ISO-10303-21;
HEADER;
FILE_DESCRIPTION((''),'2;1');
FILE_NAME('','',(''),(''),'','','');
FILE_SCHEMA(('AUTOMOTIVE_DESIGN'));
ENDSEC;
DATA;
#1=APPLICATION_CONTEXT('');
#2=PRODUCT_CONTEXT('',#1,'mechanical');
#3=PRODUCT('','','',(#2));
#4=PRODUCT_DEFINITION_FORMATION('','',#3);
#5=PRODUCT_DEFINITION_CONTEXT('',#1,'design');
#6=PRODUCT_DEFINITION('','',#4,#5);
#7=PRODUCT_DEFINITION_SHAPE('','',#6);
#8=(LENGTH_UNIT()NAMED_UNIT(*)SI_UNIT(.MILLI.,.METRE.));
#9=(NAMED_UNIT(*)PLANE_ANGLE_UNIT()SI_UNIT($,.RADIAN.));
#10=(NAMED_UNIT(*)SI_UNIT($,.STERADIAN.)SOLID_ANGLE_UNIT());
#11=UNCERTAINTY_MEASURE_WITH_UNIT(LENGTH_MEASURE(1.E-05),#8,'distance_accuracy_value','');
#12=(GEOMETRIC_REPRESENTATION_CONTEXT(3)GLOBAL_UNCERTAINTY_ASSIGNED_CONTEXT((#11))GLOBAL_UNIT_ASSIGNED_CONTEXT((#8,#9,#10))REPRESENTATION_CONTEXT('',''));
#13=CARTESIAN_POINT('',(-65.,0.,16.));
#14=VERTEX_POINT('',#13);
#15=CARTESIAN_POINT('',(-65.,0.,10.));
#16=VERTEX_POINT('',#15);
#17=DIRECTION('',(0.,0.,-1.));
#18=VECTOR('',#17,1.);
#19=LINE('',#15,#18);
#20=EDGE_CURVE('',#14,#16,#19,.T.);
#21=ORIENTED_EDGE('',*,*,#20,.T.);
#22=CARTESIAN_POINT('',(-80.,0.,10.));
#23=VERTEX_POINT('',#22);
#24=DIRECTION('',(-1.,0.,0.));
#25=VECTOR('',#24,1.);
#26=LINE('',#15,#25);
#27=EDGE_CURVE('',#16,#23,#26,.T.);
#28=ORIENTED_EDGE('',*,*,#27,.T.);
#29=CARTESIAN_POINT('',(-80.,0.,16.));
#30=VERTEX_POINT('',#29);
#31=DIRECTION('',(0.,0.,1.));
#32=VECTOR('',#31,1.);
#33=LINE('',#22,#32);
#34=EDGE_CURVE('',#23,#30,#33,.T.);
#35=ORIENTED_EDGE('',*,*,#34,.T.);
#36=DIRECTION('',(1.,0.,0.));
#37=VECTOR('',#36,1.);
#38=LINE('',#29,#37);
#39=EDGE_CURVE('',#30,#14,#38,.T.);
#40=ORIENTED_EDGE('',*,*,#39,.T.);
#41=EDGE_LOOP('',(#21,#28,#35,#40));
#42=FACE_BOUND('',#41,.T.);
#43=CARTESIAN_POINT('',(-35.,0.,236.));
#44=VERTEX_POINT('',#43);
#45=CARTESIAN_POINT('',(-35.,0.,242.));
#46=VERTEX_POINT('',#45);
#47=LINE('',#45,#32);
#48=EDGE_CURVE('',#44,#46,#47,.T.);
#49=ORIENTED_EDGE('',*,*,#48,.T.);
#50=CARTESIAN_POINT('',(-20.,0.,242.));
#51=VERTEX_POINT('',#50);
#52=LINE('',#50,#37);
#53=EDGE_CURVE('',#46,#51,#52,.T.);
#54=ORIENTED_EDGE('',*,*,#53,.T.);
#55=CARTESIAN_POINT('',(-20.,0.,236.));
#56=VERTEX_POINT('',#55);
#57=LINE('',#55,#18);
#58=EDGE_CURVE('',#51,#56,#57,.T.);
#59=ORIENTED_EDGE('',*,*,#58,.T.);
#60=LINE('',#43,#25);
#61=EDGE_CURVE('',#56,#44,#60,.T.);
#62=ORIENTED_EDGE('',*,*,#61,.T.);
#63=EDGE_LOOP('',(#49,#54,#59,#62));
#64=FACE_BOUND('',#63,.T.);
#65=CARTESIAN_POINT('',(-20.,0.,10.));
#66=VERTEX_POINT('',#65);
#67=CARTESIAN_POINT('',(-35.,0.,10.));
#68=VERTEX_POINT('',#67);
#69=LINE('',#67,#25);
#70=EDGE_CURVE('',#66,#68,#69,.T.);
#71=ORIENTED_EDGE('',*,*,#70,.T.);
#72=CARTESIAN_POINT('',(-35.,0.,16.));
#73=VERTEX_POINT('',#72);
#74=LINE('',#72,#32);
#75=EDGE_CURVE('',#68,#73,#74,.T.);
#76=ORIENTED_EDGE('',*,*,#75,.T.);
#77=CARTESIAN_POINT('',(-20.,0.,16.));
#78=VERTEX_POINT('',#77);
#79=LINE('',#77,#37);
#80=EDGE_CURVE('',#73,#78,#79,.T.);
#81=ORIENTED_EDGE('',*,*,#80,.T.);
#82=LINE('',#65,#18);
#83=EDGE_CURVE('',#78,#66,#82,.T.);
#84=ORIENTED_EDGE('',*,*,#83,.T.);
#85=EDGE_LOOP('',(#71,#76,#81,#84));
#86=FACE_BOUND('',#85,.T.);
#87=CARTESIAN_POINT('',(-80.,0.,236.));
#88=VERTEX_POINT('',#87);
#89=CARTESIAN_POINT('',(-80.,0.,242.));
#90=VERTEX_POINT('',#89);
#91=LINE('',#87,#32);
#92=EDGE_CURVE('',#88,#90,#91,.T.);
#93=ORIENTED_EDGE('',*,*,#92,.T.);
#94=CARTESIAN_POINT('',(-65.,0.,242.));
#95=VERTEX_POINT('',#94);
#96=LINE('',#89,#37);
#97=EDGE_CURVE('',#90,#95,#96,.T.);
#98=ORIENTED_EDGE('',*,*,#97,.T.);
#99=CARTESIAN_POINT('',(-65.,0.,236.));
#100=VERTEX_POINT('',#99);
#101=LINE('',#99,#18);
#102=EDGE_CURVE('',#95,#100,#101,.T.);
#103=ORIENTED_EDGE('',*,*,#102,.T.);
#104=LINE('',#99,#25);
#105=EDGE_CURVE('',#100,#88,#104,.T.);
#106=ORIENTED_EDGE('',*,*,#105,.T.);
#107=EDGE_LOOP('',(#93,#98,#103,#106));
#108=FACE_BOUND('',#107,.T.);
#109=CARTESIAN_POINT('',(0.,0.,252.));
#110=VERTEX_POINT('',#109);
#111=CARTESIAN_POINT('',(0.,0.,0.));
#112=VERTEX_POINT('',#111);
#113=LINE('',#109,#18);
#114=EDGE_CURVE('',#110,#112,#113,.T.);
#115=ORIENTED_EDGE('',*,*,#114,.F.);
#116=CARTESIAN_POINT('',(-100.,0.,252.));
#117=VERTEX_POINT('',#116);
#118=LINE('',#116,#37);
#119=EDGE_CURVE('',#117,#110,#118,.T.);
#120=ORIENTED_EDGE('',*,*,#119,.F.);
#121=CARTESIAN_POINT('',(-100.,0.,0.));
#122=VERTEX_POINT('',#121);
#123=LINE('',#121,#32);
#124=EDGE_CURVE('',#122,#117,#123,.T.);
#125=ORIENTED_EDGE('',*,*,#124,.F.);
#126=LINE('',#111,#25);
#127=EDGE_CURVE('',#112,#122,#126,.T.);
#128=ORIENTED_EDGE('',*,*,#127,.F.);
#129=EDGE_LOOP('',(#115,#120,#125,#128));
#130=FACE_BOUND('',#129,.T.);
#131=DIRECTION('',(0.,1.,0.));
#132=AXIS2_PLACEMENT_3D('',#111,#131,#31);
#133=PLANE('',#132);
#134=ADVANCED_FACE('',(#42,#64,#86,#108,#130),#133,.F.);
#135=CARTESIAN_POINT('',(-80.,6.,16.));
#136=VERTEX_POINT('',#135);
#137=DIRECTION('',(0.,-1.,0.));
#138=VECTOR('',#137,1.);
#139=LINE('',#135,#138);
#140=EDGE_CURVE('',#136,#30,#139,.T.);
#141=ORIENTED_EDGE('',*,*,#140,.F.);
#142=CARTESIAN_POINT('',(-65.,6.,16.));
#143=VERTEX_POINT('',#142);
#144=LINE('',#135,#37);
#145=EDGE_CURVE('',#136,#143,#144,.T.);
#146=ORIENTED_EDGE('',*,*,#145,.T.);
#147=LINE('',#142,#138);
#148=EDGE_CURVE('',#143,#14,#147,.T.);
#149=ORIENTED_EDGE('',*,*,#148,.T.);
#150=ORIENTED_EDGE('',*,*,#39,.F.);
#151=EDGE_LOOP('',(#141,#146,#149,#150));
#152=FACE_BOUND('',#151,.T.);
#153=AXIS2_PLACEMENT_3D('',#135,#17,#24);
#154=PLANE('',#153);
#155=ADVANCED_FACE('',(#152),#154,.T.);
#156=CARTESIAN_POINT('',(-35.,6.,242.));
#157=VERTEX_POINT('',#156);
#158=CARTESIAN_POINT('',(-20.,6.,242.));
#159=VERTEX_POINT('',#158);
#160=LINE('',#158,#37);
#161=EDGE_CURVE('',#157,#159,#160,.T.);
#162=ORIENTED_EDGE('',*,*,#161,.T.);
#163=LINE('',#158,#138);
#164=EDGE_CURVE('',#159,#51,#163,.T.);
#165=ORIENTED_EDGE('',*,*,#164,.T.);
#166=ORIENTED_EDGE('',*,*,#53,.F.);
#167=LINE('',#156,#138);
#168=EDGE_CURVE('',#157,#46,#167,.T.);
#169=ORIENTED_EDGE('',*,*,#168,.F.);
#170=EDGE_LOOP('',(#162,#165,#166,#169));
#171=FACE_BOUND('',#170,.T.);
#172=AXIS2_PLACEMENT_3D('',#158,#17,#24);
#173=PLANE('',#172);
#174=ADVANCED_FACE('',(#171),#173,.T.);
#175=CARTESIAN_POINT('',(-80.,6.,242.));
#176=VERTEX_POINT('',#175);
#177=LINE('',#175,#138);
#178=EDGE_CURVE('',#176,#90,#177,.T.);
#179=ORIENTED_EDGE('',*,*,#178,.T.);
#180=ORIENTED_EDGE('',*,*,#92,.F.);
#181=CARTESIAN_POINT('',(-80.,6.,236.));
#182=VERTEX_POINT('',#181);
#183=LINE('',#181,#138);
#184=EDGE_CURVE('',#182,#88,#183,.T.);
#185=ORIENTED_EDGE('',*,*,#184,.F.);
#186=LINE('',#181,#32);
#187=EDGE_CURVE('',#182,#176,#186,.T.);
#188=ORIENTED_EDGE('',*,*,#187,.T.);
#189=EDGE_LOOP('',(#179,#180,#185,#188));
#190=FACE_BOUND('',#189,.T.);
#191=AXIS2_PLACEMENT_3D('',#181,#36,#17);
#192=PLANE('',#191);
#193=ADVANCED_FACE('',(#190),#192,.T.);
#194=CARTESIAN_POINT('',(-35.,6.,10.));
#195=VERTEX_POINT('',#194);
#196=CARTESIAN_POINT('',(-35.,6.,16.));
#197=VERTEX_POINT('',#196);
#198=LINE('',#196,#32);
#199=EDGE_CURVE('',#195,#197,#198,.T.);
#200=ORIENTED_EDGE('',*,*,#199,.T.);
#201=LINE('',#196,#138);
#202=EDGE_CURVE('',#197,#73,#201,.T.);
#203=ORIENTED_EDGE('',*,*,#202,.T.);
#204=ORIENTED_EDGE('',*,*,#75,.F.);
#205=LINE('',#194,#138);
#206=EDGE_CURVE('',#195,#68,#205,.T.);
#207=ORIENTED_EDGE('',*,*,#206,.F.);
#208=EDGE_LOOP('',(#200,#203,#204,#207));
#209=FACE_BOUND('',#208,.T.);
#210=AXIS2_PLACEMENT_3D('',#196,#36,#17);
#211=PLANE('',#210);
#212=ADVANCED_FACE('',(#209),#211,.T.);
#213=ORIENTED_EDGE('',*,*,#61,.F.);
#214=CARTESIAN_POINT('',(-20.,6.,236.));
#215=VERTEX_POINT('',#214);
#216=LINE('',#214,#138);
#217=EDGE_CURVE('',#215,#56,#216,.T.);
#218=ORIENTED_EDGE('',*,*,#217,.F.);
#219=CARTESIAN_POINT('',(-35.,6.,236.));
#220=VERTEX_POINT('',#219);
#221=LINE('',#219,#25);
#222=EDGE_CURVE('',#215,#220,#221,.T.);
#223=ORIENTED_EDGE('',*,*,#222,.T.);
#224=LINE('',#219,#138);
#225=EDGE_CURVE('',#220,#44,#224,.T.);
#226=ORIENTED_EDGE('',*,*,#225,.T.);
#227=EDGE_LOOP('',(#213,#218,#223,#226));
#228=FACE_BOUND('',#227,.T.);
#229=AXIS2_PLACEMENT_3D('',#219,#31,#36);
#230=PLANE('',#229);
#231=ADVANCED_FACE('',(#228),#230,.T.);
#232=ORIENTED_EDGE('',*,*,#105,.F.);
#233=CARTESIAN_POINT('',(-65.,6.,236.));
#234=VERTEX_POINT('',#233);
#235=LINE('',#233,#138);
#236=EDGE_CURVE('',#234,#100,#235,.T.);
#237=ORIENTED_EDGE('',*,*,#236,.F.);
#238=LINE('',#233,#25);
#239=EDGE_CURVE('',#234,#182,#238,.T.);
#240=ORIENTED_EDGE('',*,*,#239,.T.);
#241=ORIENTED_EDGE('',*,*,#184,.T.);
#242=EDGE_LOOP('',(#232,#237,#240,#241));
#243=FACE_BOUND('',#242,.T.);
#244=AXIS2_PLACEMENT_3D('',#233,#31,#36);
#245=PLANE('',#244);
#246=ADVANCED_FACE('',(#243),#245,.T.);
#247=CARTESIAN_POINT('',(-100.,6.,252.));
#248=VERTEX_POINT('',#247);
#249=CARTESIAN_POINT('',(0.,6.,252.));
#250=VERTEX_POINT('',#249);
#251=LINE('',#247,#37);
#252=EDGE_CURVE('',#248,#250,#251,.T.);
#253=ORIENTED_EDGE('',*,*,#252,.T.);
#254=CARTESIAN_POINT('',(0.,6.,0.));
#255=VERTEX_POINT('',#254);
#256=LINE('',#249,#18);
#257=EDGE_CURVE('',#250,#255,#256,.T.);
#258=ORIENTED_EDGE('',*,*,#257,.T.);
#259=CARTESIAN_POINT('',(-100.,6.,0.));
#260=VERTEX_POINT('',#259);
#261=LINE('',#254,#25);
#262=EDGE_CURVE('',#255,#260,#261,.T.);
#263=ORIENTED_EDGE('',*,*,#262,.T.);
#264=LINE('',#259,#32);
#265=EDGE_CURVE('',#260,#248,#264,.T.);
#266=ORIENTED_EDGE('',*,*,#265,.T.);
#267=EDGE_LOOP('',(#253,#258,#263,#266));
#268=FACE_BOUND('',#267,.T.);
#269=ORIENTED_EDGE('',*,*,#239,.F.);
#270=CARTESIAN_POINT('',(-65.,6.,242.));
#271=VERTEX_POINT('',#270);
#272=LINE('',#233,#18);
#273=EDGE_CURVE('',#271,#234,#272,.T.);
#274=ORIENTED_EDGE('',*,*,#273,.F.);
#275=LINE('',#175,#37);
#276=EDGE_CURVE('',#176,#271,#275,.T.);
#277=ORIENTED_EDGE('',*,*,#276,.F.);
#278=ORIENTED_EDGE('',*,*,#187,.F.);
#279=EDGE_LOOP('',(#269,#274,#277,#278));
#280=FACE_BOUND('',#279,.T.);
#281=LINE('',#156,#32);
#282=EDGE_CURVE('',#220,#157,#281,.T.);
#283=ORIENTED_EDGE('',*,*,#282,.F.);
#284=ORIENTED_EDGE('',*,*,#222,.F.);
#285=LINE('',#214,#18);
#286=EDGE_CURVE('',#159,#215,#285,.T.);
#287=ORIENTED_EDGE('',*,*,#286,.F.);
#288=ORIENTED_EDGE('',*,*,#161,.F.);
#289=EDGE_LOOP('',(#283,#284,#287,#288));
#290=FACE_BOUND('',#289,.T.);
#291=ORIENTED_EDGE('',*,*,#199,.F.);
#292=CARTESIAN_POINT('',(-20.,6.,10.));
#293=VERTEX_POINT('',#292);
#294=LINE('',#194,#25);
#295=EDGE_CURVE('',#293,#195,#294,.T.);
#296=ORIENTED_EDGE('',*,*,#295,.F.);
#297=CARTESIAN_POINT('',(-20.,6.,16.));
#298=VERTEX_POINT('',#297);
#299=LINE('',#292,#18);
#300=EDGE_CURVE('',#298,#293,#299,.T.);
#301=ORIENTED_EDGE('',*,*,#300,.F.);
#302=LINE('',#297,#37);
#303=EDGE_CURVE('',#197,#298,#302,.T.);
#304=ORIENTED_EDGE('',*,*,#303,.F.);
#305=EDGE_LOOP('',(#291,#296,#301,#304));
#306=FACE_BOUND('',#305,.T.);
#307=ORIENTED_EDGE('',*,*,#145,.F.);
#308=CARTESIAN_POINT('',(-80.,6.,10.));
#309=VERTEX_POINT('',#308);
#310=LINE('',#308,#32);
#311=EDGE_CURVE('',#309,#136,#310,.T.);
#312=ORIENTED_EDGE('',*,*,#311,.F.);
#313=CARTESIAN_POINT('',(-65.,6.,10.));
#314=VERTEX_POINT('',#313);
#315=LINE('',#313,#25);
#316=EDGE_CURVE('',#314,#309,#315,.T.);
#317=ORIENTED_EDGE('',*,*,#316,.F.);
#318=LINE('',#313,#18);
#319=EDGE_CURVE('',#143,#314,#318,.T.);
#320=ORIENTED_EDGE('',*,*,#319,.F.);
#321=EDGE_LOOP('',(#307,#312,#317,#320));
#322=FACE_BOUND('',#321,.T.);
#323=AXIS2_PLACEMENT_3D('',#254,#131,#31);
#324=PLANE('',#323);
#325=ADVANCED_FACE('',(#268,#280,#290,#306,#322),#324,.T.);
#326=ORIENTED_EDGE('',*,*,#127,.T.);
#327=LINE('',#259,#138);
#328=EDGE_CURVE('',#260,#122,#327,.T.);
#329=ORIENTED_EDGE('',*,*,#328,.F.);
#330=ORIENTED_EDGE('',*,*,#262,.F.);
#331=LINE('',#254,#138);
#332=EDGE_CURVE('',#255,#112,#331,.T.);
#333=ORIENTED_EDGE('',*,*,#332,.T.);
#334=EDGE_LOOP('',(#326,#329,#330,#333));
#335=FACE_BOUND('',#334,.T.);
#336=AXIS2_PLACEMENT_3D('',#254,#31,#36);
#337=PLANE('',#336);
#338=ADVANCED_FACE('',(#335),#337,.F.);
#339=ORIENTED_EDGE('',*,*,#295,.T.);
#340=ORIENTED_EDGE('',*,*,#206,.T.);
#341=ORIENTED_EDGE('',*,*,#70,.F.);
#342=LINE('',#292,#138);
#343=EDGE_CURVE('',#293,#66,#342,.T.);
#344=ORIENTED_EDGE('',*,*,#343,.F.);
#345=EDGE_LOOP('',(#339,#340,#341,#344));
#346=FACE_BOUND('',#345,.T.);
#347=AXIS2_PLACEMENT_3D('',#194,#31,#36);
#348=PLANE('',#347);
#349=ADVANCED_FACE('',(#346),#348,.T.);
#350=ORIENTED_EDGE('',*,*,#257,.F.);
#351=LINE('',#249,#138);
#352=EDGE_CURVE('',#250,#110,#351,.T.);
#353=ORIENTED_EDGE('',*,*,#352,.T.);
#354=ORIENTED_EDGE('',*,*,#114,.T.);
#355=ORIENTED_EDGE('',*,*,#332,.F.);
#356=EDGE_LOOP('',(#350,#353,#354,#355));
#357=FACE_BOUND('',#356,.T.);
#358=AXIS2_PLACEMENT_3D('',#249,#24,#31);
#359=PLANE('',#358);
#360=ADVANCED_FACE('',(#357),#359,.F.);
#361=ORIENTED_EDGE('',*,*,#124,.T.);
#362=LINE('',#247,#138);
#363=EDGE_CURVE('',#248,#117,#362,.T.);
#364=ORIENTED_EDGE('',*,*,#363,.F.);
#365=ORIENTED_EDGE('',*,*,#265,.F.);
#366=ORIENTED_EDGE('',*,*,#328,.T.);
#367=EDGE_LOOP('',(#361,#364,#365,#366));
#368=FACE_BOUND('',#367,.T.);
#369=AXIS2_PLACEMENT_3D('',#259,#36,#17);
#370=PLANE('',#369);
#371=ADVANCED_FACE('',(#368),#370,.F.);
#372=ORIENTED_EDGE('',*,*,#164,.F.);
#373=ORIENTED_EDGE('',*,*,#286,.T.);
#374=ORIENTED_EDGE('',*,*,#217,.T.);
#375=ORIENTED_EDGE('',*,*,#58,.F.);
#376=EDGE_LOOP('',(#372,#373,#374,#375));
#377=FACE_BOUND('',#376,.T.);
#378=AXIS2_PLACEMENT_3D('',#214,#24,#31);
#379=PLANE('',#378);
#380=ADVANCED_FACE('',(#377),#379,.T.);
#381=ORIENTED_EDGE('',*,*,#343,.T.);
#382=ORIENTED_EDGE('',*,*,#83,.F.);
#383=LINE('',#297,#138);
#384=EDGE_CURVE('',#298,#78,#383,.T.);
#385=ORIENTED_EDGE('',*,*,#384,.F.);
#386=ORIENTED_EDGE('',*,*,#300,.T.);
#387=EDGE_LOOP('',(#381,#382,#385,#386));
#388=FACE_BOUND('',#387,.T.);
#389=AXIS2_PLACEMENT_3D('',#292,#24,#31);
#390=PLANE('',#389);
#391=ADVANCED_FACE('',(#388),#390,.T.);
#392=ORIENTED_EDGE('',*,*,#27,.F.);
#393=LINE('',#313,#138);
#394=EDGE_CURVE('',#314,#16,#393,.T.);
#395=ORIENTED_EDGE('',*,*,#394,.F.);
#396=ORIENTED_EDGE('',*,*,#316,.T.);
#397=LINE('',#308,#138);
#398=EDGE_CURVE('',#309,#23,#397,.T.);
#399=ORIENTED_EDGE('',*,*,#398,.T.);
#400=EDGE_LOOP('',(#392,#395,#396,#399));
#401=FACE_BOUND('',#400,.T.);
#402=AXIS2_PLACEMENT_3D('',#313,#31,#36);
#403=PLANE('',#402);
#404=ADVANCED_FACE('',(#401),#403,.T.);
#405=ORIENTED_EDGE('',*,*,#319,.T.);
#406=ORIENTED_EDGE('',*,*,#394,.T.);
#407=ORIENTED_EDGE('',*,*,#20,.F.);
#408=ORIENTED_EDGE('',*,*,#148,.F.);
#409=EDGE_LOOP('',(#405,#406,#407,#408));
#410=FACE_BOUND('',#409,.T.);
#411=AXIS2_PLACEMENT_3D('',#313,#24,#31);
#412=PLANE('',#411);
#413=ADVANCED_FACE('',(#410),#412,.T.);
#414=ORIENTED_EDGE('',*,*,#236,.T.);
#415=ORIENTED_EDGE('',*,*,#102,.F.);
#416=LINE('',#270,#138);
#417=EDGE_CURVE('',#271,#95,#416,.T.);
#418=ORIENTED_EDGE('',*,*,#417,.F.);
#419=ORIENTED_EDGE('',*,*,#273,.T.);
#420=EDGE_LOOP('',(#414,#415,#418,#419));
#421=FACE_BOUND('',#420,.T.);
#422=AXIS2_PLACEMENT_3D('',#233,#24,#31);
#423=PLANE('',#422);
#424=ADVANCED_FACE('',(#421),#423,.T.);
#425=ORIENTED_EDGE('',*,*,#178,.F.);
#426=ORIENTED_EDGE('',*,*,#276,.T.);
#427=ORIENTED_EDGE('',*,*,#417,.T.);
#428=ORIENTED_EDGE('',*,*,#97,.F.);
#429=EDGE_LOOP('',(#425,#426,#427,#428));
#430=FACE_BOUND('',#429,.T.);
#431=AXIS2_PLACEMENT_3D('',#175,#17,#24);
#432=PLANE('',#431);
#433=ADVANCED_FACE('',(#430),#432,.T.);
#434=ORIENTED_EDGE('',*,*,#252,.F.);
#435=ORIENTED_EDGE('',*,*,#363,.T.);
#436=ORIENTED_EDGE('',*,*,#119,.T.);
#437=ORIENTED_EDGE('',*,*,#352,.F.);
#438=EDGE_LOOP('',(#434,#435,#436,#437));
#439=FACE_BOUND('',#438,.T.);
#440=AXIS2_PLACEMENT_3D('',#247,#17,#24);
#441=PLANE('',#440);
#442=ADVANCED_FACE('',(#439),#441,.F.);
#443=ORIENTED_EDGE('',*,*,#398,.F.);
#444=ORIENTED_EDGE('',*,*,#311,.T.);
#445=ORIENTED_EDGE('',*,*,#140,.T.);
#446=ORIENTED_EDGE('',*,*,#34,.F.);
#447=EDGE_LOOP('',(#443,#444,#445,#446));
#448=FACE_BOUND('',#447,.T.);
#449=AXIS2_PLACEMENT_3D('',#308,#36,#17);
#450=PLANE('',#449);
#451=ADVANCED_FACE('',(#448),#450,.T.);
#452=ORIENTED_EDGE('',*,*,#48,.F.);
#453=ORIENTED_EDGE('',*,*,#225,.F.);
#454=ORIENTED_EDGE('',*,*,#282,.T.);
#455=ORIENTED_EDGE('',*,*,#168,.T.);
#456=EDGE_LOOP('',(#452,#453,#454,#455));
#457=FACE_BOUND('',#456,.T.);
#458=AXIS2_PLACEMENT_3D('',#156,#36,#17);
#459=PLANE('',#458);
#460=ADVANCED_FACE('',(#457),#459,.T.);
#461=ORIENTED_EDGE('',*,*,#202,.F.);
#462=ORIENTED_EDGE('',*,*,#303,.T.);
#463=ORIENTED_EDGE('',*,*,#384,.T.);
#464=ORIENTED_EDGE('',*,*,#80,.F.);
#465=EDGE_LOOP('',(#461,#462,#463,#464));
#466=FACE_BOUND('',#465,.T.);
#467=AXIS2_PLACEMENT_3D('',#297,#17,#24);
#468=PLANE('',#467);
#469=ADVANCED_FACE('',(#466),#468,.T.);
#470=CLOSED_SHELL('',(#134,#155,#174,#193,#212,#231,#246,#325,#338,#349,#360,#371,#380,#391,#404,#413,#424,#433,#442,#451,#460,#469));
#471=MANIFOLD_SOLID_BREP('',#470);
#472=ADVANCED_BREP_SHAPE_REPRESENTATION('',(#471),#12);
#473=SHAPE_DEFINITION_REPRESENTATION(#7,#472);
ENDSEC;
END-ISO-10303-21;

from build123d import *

# Parameters (mm, degrees)
SKETCH1_W           = 100
SKETCH1_H           = 252
SKETCH1_W_2         = 15
SKETCH1_H_2         = 6
BOSS_EXTRUDE1_DEPTH = 6


with BuildPart() as part:
    # Sketch1 → Boss-Extrude1 (new body)
    with BuildSketch(Plane(origin=(0, 0, 0), x_dir=(1, 0, 0), z_dir=(0, 1, 0))):
        with Locations((-50, -126)):
            Rectangle(SKETCH1_W, SKETCH1_H)
        with Locations((-72.5, -13)):
            Rectangle(SKETCH1_W_2, SKETCH1_H_2, mode=Mode.SUBTRACT)
        with Locations((-27.5, -13)):
            Rectangle(SKETCH1_W_2, SKETCH1_H_2, mode=Mode.SUBTRACT)
        with Locations((-72.5, -239)):
            Rectangle(SKETCH1_W_2, SKETCH1_H_2, mode=Mode.SUBTRACT)
        with Locations((-27.5, -239)):
            Rectangle(SKETCH1_W_2, SKETCH1_H_2, mode=Mode.SUBTRACT)
    extrude(amount=BOSS_EXTRUDE1_DEPTH)


solid = part.part
